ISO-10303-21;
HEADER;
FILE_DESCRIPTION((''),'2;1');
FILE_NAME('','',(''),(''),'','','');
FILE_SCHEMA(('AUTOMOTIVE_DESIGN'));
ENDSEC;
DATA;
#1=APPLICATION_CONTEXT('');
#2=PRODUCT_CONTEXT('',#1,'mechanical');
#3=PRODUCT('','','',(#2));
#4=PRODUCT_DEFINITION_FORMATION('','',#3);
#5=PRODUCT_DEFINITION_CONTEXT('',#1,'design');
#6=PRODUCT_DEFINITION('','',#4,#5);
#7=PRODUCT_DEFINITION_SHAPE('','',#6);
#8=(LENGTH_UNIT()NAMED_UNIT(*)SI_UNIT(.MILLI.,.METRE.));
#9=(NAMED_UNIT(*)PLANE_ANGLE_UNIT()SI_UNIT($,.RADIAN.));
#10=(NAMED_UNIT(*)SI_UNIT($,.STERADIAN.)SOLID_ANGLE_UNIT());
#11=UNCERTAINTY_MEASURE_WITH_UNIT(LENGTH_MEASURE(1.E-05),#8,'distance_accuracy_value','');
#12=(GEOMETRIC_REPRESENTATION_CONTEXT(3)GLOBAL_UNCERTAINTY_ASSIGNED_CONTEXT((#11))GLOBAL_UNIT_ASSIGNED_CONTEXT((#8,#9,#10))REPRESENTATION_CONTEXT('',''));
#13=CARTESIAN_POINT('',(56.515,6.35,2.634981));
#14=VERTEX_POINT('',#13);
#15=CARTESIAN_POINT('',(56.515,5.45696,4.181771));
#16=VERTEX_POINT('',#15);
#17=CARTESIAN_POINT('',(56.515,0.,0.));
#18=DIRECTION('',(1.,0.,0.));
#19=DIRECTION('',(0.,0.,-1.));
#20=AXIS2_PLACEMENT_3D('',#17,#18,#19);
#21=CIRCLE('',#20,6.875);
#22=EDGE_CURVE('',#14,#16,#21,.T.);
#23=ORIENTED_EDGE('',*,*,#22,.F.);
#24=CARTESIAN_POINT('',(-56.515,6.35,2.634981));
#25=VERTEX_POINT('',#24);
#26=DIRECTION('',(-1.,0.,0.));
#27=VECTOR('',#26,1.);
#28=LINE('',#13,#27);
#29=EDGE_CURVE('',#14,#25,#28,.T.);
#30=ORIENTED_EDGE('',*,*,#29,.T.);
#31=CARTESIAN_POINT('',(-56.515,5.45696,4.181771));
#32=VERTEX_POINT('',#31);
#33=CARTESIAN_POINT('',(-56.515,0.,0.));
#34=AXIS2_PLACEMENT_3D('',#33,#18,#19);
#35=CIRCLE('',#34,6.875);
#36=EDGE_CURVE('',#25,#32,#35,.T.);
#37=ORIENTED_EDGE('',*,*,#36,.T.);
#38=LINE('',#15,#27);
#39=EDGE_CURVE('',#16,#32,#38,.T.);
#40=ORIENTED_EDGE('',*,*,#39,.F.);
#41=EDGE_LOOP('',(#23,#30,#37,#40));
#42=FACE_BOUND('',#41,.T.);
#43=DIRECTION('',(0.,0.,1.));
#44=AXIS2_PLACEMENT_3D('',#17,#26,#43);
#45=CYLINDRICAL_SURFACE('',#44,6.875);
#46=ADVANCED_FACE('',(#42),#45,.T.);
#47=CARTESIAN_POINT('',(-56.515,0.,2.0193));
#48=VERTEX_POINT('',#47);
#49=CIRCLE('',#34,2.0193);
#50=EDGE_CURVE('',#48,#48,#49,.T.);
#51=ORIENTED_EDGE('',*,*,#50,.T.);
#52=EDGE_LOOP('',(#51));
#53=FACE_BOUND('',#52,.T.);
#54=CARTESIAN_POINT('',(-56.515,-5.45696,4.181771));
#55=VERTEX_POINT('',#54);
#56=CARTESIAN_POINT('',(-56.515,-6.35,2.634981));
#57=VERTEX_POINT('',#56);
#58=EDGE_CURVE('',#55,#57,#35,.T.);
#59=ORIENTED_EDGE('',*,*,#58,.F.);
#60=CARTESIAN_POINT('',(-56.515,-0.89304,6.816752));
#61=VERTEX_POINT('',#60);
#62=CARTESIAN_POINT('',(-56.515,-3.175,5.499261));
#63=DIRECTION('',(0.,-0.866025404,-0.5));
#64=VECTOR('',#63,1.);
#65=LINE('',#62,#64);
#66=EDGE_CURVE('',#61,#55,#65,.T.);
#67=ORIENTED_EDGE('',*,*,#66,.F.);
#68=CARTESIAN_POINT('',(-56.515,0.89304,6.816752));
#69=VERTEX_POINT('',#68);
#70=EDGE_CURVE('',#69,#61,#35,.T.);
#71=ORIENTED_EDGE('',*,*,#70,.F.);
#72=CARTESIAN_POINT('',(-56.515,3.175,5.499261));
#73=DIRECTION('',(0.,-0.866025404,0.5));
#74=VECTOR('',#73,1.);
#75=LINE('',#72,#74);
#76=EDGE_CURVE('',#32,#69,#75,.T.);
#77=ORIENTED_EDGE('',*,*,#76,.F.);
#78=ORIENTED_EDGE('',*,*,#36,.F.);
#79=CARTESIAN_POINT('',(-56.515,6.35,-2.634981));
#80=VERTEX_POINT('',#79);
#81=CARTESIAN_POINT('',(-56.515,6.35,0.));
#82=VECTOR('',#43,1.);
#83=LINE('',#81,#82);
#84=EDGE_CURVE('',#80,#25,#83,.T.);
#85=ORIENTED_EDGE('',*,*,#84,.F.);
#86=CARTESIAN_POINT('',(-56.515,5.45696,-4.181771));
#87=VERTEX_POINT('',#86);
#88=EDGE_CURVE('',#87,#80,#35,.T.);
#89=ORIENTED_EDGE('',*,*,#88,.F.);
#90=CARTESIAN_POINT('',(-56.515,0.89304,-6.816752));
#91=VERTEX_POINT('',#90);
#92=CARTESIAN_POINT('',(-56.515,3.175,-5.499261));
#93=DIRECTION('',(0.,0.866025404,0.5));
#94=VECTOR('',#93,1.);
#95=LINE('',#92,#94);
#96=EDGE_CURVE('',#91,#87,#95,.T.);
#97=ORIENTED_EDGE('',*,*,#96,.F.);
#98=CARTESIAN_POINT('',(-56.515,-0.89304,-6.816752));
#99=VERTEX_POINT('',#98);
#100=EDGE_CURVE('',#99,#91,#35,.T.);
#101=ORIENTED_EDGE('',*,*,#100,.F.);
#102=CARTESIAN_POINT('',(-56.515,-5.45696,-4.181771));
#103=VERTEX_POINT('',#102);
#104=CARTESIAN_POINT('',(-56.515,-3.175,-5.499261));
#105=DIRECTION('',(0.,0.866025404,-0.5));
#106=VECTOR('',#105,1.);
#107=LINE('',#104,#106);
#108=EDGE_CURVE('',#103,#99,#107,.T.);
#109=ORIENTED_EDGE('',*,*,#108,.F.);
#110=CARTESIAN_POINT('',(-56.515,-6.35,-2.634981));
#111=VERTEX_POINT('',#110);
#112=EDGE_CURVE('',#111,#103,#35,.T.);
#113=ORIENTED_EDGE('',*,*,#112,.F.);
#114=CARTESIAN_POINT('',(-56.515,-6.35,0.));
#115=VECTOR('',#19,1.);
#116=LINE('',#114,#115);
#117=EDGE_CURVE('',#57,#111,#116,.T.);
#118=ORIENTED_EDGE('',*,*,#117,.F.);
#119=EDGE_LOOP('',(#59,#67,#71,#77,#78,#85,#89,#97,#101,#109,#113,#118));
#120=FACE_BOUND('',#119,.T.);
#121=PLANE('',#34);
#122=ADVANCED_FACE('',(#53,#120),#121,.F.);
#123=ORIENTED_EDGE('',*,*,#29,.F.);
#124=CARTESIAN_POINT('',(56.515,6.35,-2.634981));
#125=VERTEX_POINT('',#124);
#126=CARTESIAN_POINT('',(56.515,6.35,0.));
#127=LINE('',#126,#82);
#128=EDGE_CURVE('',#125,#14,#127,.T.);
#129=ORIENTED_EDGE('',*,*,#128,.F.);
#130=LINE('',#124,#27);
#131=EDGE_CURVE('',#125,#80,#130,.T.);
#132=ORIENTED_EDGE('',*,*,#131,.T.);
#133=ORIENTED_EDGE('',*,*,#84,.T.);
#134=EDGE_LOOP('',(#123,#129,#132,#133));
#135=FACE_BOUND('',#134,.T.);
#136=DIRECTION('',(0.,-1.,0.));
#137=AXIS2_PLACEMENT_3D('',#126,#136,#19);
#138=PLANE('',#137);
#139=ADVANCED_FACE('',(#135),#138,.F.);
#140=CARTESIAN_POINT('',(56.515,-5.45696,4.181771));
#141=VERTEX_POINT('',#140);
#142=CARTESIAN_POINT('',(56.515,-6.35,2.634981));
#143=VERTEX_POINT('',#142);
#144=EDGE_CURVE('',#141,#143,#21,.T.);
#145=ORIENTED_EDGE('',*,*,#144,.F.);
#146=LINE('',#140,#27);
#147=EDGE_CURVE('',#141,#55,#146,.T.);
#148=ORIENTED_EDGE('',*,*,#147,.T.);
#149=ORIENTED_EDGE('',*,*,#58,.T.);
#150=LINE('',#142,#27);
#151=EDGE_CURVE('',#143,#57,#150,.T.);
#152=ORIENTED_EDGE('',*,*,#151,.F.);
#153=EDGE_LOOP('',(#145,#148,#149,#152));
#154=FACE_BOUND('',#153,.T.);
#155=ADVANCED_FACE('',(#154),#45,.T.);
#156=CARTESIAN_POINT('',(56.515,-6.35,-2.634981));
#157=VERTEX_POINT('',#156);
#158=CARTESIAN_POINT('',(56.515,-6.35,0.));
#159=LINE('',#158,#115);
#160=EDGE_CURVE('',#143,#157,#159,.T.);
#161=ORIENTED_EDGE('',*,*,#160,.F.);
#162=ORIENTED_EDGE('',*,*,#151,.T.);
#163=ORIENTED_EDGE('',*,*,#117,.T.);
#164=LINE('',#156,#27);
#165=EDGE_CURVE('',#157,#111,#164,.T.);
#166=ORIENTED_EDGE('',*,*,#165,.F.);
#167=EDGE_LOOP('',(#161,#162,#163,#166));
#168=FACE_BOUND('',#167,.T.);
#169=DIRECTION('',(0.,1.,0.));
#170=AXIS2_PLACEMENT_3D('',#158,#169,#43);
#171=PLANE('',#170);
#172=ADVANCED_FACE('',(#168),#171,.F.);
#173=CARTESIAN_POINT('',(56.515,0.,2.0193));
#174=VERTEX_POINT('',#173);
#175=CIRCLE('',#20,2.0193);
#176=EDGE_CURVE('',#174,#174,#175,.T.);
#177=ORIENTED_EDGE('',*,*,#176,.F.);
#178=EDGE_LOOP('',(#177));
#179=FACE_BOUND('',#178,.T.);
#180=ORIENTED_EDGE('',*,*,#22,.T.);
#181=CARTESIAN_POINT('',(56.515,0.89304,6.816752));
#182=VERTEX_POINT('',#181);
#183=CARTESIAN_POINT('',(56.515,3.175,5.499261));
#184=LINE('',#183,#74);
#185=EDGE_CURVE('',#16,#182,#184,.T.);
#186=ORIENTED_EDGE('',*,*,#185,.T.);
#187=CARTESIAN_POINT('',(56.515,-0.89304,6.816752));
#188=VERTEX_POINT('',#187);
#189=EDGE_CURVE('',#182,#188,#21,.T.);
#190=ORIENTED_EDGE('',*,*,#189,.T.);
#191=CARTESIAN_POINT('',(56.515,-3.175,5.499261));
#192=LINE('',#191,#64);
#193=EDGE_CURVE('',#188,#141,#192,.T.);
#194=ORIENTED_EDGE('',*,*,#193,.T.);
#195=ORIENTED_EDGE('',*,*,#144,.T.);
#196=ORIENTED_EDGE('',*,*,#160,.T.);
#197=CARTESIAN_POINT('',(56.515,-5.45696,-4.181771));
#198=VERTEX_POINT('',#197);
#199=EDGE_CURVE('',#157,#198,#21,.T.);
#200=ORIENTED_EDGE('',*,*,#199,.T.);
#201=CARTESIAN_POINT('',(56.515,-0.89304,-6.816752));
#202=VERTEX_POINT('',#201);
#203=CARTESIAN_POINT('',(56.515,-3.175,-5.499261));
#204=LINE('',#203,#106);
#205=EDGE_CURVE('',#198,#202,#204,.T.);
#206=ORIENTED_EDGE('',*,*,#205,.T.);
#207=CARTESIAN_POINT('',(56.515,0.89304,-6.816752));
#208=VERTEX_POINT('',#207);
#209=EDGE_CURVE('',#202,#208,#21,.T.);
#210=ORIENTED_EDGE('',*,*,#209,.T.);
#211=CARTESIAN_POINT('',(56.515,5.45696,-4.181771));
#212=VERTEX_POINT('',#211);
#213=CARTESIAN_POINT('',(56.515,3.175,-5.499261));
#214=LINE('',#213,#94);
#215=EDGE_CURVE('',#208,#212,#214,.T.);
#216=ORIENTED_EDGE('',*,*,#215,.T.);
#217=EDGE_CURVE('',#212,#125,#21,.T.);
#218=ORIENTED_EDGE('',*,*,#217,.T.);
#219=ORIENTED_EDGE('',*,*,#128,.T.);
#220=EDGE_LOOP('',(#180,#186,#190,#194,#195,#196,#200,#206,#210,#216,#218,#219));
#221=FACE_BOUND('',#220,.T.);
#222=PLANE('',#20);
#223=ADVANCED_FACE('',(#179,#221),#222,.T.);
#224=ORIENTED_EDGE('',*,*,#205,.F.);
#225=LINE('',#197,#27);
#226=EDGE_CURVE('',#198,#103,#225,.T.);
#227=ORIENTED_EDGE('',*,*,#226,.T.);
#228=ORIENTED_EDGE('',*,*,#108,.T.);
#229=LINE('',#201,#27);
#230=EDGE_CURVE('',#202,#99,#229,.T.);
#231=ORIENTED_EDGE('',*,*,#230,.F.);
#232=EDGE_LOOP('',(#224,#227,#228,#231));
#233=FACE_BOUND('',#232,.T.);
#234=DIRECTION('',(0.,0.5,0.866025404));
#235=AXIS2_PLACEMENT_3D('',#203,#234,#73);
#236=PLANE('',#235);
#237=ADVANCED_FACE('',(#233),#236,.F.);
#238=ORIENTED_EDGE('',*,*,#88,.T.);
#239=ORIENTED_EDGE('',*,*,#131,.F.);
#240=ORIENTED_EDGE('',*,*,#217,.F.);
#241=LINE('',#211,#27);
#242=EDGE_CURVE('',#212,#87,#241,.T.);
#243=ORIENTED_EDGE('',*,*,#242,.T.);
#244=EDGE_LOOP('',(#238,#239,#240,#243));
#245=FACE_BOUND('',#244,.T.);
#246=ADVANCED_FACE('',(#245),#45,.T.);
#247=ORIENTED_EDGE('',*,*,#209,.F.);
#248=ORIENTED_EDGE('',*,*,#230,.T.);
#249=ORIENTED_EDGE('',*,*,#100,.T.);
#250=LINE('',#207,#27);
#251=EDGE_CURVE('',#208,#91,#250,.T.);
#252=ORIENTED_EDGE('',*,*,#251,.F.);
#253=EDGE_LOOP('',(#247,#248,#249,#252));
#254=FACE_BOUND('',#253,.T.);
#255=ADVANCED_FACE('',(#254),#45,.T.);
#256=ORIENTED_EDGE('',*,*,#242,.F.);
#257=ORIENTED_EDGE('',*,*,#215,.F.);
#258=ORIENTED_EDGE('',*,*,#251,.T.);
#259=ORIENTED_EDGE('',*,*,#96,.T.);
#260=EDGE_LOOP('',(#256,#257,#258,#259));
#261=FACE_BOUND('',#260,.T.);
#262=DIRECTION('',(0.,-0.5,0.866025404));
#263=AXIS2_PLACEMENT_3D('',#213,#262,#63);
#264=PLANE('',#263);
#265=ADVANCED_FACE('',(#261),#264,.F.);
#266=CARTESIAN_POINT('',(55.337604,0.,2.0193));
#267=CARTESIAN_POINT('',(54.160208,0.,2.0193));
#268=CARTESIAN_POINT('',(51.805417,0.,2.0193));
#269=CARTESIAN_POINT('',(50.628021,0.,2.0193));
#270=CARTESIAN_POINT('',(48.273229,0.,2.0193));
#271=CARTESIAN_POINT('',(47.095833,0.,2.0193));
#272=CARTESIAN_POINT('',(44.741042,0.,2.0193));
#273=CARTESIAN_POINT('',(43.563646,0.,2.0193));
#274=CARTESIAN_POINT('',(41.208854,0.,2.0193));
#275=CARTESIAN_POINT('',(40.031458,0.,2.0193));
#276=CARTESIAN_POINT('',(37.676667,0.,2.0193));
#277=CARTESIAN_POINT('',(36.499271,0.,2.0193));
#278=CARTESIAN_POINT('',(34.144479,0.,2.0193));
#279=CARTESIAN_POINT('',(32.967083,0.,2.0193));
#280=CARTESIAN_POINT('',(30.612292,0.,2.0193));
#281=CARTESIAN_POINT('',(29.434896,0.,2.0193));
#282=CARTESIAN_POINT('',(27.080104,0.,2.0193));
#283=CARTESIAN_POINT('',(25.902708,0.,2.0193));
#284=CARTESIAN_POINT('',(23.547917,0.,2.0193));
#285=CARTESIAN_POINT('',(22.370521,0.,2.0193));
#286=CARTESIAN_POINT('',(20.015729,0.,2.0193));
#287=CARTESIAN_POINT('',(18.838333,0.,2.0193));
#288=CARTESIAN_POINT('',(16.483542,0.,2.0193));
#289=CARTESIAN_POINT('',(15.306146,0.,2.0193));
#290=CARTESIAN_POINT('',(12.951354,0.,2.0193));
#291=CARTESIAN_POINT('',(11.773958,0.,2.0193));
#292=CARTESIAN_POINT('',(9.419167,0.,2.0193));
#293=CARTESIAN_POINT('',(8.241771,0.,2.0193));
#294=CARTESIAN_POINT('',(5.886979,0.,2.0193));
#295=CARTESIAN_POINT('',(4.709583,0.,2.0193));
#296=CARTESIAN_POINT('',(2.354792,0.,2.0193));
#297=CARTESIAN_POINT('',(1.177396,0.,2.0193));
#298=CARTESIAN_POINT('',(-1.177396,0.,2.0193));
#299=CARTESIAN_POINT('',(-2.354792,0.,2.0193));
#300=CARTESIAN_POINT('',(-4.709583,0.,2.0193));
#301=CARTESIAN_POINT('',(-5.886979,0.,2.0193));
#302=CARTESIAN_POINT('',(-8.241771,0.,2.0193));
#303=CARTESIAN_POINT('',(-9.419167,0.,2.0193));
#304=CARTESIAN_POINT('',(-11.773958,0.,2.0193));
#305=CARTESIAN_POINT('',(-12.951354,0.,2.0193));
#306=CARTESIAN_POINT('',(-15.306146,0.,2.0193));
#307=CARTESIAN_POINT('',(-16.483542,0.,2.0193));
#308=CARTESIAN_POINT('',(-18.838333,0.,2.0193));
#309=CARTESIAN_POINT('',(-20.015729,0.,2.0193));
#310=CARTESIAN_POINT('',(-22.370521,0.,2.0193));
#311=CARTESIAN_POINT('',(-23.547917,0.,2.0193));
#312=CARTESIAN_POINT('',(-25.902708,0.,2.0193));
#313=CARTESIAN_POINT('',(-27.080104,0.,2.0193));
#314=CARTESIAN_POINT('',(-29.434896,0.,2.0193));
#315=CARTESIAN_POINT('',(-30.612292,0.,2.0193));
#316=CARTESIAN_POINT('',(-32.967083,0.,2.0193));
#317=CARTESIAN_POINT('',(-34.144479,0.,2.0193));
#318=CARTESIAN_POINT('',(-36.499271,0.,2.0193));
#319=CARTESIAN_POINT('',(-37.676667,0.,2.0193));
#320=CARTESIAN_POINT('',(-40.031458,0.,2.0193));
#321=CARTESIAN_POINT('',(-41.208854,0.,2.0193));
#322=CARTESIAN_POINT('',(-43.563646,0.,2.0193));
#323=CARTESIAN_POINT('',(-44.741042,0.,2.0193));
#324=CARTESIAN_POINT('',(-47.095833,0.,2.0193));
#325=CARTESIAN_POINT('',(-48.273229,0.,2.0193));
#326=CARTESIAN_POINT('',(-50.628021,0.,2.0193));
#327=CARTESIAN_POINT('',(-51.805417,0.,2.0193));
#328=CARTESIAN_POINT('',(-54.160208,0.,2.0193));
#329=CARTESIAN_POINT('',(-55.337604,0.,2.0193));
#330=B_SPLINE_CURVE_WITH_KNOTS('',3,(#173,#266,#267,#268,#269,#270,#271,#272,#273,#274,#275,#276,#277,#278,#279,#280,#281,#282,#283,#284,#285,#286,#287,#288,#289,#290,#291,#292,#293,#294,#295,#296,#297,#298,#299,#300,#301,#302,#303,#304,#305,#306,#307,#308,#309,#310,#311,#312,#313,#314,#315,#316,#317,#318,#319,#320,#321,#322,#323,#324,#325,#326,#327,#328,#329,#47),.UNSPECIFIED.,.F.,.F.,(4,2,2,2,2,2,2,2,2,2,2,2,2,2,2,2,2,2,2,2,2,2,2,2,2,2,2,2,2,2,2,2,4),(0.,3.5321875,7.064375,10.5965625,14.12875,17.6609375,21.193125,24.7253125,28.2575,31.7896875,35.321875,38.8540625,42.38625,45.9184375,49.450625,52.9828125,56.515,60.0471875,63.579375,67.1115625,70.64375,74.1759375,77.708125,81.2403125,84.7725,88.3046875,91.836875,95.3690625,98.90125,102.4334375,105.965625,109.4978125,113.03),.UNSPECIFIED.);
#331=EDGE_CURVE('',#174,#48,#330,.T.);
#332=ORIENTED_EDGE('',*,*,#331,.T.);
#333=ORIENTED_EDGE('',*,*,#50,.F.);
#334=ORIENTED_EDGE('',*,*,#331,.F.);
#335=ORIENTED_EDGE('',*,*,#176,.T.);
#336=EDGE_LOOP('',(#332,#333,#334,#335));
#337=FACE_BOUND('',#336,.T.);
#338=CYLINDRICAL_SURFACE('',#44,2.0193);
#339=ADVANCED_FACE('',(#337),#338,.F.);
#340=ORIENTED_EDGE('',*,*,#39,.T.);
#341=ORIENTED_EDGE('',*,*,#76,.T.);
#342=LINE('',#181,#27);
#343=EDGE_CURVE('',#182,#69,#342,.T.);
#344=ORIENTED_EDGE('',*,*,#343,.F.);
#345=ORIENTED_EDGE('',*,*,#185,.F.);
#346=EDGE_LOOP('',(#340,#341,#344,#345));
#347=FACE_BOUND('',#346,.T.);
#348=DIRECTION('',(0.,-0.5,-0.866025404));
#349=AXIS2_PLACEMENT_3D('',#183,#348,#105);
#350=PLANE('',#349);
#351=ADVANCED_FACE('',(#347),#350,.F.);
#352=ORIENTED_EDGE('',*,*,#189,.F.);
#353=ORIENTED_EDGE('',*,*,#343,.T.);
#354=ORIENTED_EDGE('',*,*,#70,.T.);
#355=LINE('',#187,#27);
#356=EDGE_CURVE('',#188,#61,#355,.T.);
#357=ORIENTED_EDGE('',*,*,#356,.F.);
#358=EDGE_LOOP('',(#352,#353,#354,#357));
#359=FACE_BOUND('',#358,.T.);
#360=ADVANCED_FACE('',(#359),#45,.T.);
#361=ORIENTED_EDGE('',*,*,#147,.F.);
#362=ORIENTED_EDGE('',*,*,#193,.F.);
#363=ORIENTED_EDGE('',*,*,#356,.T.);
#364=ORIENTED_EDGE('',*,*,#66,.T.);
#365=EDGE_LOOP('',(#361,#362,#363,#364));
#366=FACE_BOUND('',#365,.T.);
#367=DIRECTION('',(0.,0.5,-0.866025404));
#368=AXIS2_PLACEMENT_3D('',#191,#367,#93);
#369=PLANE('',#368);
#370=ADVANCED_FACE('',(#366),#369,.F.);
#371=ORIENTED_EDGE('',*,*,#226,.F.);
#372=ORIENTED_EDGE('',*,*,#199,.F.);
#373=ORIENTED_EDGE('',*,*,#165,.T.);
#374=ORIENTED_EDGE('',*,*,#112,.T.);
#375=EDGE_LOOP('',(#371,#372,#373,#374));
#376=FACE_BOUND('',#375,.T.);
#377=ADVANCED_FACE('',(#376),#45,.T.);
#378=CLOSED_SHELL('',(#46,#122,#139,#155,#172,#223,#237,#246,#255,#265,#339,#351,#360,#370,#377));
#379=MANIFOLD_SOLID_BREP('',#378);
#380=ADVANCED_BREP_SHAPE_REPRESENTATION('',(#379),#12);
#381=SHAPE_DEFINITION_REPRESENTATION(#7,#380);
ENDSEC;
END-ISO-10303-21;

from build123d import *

# Parameters (mm, degrees)
SKETCH1_R           = 2.0193
BOSS_EXTRUDE1_DEPTH = 56.515


with BuildPart() as part:
    # Sketch1 → Boss-Extrude1 (new, symmetric)
    with BuildSketch(Plane(origin=(0, 0, 0), x_dir=(0, 0, -1), z_dir=(1, 0, 0))):
        with BuildLine():
            ThreePointArc((6.874999966, 0), (6.860422465, 0.447468582), (6.816751782, 0.893039571))
            Line((6.816751782, 0.893039571), (4.181770846, 5.456960429))
            ThreePointArc((4.181770846, 5.456960429), (3.437499983, 5.953924622), (2.634980936, 6.35))
            Line((2.634980936, 6.35), (-2.634980936, 6.35))
            ThreePointArc((-2.634980936, 6.35), (-3.437499983, 5.953924622), (-4.181770846, 5.456960429))
            Line((-4.181770846, 5.456960429), (-6.816751782, 0.893039571))
            ThreePointArc((-6.816751782, 0.893039571), (-6.874999966, 0), (-6.816751782, -0.893039571))
            Line((-6.816751782, -0.893039571), (-4.181770846, -5.456960429))
            ThreePointArc((-4.181770846, -5.456960429), (-3.437499983, -5.953924622), (-2.634980936, -6.35))
            Line((-2.634980936, -6.35), (2.634980936, -6.35))
            ThreePointArc((2.634980936, -6.35), (3.437499983, -5.953924622), (4.181770846, -5.456960429))
            Line((4.181770846, -5.456960429), (6.816751782, -0.893039571))
            ThreePointArc((6.816751782, -0.893039571), (6.860422465, -0.447468582), (6.874999966, 0))
        make_face()
        with Locations(Location((0, 0, 0), (0, 0, 180))):
            Circle(SKETCH1_R, mode=Mode.SUBTRACT)
    extrude(amount=BOSS_EXTRUDE1_DEPTH, both=True)


solid = part.part
